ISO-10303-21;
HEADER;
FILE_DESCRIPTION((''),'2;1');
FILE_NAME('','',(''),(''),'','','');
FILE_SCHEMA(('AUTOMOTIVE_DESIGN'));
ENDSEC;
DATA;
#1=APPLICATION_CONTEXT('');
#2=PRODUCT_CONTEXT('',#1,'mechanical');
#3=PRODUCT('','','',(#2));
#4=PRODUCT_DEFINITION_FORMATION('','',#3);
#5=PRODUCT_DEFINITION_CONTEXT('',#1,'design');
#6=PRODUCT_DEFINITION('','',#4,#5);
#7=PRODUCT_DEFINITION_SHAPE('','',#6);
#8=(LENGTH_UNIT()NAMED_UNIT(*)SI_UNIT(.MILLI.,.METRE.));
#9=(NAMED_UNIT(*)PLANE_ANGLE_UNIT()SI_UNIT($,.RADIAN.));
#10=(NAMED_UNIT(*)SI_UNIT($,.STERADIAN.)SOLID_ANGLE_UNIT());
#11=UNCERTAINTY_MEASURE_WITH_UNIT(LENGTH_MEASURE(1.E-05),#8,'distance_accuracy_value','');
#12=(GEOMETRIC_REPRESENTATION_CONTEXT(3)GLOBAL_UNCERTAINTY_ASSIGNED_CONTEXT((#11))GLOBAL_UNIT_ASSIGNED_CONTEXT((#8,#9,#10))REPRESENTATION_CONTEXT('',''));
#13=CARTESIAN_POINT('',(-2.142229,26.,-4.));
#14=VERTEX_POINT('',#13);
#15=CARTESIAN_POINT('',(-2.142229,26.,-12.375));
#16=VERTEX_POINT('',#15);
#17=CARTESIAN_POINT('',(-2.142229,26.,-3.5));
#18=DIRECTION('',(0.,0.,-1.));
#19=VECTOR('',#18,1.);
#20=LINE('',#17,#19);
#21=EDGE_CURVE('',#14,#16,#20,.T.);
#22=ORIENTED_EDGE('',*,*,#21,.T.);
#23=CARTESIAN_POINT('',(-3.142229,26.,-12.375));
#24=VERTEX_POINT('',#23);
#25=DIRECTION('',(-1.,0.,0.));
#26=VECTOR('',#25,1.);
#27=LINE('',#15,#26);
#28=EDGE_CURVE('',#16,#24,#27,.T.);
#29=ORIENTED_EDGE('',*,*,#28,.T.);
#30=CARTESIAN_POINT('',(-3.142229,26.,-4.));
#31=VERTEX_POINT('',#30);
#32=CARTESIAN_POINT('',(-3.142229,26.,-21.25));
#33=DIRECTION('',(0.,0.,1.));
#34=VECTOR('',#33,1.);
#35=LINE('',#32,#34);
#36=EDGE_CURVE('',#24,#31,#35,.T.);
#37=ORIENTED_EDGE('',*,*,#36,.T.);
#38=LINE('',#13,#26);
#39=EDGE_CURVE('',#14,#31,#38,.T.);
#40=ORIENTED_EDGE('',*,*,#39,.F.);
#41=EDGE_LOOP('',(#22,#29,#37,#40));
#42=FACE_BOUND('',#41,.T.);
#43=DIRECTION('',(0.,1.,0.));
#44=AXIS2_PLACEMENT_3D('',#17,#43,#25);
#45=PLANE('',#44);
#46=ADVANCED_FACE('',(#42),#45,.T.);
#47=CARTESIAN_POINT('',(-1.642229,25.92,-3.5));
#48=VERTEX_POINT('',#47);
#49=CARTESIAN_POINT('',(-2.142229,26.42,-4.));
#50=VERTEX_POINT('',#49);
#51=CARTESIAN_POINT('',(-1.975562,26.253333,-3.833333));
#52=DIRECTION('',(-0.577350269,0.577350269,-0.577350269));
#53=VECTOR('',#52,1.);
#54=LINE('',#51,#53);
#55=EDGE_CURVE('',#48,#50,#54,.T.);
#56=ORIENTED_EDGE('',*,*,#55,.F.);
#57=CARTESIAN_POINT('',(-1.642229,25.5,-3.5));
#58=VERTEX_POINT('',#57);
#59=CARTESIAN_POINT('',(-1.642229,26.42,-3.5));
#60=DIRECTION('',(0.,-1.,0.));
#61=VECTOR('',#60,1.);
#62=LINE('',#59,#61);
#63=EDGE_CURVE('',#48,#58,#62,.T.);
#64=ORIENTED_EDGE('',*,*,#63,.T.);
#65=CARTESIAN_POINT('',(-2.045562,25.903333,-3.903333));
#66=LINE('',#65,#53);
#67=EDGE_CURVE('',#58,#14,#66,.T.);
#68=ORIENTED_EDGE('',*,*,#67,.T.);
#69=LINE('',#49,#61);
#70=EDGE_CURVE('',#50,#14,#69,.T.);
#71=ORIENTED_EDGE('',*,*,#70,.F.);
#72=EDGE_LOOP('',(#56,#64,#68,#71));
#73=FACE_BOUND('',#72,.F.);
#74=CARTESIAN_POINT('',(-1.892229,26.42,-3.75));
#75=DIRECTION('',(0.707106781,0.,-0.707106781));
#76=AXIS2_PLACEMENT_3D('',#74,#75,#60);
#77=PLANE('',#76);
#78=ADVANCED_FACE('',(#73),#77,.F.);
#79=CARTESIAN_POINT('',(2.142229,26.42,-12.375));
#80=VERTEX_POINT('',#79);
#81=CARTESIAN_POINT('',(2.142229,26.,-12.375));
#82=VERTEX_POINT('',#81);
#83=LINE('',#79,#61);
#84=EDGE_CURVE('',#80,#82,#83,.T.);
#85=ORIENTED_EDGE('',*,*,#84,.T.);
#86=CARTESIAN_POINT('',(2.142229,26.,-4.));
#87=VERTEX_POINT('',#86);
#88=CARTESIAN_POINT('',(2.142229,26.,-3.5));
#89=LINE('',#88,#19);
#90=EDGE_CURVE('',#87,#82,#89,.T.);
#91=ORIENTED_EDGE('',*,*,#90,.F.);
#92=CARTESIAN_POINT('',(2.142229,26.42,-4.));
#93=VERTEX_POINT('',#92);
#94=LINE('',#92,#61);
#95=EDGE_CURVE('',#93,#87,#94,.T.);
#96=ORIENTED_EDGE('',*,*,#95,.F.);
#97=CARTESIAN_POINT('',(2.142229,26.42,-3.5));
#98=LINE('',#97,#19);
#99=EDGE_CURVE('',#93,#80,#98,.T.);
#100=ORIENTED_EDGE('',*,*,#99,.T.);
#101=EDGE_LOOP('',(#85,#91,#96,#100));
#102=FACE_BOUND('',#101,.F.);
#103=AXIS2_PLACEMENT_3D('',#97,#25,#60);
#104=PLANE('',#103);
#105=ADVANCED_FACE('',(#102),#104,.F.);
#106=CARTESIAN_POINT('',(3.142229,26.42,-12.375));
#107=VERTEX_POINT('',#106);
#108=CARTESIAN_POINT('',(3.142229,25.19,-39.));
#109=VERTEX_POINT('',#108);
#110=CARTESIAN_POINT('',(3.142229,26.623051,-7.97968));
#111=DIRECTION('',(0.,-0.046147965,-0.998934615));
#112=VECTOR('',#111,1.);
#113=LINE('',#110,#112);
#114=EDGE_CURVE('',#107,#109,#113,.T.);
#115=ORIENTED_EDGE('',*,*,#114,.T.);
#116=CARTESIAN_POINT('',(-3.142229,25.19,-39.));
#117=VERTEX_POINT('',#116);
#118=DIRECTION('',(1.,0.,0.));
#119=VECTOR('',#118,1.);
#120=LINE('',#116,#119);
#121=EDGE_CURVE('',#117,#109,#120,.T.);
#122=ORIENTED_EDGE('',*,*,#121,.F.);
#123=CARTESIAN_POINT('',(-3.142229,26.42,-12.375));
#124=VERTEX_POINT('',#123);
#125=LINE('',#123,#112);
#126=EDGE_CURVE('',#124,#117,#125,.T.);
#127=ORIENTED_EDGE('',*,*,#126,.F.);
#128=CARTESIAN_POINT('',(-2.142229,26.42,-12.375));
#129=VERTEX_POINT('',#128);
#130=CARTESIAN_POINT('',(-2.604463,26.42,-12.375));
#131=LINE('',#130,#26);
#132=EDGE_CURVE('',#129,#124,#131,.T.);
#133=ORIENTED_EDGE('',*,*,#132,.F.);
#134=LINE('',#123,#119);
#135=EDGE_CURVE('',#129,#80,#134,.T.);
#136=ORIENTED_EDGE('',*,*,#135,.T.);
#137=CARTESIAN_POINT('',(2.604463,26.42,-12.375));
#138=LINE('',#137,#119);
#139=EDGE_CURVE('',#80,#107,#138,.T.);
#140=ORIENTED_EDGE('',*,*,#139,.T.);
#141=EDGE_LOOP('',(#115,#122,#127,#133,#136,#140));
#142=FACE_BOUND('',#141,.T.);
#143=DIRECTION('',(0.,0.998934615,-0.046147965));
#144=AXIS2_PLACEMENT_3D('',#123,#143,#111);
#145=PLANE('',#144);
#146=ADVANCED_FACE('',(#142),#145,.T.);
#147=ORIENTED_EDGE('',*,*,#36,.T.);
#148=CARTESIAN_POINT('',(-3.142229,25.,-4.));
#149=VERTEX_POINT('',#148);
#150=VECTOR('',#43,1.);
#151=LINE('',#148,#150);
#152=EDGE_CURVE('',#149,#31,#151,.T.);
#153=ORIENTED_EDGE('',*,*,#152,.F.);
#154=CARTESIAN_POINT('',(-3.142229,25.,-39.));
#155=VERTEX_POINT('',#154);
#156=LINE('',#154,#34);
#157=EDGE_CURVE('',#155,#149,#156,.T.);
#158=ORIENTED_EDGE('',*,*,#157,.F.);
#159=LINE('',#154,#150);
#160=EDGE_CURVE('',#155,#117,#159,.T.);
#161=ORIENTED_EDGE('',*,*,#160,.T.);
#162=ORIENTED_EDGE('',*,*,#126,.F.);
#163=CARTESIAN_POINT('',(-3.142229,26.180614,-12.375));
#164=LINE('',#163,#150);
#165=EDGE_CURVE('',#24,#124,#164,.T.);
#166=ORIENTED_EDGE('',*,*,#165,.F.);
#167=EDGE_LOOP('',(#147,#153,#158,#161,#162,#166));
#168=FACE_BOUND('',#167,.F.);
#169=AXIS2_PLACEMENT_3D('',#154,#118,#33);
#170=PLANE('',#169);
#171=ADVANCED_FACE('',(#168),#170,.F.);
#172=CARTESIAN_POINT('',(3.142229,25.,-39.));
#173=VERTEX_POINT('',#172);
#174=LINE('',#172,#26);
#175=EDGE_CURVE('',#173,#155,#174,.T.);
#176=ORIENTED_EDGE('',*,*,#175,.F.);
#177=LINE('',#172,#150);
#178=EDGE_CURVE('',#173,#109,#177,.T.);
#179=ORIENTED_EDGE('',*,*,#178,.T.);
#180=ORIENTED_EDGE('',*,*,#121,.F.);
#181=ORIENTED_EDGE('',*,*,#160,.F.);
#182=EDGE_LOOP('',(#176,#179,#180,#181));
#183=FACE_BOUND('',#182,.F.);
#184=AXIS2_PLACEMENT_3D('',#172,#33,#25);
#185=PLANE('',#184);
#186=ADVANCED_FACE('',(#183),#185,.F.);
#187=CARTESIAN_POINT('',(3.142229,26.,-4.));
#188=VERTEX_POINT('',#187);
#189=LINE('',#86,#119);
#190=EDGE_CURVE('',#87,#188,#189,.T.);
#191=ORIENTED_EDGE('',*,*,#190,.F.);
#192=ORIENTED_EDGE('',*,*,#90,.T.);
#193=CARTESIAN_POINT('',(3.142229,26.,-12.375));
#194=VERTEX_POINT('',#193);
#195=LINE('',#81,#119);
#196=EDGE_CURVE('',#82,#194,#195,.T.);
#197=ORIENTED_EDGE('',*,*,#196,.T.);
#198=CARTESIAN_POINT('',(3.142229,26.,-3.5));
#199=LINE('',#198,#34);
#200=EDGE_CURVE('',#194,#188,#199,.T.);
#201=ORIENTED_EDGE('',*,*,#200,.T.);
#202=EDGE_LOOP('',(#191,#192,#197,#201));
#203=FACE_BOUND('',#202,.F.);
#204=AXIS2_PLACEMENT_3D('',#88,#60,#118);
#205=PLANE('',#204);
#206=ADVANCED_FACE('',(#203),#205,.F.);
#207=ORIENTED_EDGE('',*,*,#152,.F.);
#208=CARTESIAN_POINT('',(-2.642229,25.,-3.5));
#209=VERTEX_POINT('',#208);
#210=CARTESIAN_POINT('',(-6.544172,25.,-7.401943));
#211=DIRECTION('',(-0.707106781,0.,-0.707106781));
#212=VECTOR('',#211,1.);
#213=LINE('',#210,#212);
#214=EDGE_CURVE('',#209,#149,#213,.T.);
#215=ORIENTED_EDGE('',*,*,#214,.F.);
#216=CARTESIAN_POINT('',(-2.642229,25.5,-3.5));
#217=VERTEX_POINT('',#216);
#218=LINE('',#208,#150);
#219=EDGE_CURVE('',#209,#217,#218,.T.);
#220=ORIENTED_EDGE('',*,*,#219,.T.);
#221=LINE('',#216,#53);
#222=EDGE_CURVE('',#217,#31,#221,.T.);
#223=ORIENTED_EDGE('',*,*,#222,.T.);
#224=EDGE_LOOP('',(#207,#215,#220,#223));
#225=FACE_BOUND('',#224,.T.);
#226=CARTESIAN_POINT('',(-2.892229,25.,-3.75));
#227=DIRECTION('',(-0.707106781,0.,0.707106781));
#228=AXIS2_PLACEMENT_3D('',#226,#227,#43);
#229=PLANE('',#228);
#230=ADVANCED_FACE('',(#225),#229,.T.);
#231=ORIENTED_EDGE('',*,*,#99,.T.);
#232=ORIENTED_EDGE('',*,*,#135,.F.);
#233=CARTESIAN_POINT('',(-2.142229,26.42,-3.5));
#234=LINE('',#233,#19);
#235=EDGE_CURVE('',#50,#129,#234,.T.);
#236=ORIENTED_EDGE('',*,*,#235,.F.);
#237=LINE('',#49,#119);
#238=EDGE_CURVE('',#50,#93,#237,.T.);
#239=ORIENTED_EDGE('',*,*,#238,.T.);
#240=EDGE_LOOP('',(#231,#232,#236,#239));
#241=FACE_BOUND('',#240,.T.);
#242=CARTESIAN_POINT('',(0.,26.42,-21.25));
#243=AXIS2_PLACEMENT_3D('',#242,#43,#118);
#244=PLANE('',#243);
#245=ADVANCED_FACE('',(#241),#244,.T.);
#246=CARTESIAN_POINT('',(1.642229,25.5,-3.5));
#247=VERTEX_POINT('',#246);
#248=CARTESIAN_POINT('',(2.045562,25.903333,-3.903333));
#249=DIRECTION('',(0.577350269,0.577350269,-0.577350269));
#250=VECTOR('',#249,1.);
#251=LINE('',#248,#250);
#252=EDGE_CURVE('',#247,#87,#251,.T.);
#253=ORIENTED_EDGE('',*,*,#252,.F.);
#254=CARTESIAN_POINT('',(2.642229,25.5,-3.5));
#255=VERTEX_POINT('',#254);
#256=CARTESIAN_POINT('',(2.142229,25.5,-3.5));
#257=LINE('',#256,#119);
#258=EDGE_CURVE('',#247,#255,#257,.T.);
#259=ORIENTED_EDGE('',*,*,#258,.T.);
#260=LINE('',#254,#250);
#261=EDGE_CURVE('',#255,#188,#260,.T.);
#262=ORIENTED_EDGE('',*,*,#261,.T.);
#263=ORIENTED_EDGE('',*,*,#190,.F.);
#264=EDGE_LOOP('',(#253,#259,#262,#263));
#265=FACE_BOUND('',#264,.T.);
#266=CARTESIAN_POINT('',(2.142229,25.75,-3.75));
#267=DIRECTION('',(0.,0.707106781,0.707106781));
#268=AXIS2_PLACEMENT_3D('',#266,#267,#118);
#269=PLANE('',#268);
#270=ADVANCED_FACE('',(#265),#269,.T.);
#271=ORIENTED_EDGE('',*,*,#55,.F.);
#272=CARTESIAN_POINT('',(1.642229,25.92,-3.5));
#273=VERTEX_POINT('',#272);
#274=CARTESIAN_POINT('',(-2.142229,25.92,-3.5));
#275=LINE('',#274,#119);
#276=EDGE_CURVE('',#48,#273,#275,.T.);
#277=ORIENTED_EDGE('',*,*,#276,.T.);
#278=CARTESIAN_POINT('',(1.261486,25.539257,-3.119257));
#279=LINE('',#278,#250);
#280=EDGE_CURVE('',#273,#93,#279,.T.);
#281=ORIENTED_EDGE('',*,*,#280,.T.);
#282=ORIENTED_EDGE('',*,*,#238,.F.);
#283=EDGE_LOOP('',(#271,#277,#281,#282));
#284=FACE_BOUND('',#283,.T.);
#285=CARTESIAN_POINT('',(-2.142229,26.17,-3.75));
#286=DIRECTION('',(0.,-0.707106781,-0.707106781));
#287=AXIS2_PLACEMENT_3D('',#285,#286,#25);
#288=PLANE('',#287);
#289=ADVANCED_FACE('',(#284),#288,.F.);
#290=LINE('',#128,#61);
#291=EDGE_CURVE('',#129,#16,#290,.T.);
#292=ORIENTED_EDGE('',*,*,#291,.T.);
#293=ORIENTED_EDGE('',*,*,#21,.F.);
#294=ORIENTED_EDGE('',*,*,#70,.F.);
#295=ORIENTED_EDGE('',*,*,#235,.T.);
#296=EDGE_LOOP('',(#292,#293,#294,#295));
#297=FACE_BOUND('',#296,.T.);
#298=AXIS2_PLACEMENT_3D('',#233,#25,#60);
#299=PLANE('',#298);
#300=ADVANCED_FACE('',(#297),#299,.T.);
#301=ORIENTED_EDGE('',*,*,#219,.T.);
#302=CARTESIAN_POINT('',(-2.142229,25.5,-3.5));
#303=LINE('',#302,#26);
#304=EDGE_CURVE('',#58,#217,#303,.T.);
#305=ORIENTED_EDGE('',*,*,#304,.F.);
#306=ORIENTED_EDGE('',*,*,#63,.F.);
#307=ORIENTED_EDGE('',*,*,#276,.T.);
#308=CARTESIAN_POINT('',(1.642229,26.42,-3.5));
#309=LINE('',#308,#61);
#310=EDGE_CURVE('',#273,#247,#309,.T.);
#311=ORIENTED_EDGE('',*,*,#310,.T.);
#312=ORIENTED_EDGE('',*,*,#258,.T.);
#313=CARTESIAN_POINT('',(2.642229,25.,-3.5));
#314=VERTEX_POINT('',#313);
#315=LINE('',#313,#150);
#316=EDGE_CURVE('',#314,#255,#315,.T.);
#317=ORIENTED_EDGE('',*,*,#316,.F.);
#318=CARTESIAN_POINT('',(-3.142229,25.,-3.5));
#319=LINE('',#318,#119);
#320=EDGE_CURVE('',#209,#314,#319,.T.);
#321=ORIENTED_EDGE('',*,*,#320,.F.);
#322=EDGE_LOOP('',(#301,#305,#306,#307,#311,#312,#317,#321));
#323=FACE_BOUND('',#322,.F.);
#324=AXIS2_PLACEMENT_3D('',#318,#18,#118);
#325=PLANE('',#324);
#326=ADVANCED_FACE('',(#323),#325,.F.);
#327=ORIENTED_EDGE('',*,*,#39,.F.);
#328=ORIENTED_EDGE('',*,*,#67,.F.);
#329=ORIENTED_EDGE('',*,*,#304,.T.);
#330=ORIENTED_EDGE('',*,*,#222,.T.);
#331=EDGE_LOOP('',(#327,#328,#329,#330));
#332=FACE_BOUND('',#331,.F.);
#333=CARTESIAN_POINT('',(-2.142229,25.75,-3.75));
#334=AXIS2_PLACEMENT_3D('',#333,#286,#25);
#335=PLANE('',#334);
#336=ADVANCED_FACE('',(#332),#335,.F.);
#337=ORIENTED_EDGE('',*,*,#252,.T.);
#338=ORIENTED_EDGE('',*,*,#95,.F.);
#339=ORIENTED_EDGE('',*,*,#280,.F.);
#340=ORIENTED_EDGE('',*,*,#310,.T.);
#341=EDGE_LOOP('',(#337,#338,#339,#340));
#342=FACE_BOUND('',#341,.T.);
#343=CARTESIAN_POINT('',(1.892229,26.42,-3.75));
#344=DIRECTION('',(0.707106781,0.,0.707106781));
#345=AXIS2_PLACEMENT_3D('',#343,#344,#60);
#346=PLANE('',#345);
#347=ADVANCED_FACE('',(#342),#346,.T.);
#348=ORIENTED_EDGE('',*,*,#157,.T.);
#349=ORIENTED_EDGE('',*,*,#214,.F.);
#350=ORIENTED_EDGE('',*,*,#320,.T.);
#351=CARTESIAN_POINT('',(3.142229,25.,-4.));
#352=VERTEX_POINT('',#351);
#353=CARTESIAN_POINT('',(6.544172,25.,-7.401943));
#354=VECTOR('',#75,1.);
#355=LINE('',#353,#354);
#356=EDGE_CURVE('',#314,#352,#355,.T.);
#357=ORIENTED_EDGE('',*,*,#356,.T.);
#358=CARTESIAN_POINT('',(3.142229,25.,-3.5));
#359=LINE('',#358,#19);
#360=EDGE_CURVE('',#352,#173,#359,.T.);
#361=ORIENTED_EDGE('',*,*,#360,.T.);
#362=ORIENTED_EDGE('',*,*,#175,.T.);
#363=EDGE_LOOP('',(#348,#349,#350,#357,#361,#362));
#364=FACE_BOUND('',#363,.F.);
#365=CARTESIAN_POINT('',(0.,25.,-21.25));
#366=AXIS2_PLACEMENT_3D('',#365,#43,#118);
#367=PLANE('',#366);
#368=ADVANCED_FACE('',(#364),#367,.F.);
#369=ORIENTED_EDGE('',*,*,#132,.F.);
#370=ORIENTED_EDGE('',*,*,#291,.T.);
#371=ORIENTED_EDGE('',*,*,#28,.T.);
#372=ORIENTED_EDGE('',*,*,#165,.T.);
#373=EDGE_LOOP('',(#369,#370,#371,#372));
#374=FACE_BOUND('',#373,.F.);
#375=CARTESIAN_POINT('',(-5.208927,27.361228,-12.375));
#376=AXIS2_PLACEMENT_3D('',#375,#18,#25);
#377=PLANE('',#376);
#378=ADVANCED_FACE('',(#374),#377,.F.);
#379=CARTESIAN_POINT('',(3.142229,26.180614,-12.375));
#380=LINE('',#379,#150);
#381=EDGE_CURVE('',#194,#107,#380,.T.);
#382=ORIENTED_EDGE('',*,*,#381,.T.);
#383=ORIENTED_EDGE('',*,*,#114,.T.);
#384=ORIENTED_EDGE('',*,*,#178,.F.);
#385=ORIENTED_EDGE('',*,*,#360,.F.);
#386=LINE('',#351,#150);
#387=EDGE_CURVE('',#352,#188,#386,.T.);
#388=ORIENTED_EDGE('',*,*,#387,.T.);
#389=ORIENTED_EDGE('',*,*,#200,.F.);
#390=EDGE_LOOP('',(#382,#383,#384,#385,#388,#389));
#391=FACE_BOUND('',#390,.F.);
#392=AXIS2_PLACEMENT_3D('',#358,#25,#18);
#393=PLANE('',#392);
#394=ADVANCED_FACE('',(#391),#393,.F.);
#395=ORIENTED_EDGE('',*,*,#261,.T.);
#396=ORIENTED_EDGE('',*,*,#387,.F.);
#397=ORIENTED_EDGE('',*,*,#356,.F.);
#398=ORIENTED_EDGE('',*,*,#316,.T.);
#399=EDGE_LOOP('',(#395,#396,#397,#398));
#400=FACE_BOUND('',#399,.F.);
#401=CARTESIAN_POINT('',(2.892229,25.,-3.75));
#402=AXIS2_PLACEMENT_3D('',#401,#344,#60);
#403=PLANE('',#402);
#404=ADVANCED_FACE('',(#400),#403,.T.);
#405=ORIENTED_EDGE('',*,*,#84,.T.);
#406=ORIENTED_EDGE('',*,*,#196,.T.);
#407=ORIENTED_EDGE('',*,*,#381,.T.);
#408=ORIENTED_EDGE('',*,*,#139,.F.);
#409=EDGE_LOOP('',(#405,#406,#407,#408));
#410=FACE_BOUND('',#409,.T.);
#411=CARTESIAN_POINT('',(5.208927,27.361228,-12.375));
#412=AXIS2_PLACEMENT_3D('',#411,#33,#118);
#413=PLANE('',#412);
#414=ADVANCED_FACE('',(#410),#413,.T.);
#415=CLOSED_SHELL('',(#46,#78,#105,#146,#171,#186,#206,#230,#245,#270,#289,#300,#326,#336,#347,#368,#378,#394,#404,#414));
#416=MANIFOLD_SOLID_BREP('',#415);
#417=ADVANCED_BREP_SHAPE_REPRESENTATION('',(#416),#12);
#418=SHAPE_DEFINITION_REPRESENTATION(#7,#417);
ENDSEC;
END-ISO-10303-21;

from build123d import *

# Parameters (mm, degrees)
PAD003_DEPTH            = 1.42
POCKET004_DEPTH         = 8.875
POCKET005_DEPTH         = 6.285457
CHAMFER002_SIZE         = 0.5
BODY001_PLACEMENT_ANGLE = 180


with BuildPart() as part:
    # Sketch010 → Pad003 (new body)
    with BuildSketch(Plane.XZ):
        Polygon((-3.142229, 35.5), (3.142229, 35.5), (3.142229, 44.375), (3.142229, 71), (-3.142229, 71), (-3.142229, 44.375), align=None)
    extrude(amount=PAD003_DEPTH)

    # Sketch011 (on Face1 of Pad003) → Pocket004 (cut)
    with BuildSketch(Plane(origin=(0, 0, 35.5), x_dir=(1, 0, 0), z_dir=(0, 0, -1))):
        Polygon((-2.142229, 1.42), (-2.142229, 1), (-7.142229, 1), (-7.142229, 4.921038), align=None)
        Polygon((7.142229, 4.921038), (2.142229, 1.42), (2.142229, 1), (7.142229, 1), align=None)
    extrude(amount=-POCKET004_DEPTH, mode=Mode.SUBTRACT)

    # Sketch012 (on Face9 of Pocket004) → Pocket005 (cut, through all)
    with BuildSketch(Plane(origin=(-3.142229, 0, 0), x_dir=(0, 0, -1), z_dir=(-1, 0, 0))):
        Polygon((-71, 0.19), (-71, 14.02), (-44.375, 1.42), align=None)
    extrude(amount=-POCKET005_DEPTH, mode=Mode.SUBTRACT)

    # Chamfer002
    chamfer002_edges = [part.edges().sort_by_distance(p)[0] for p in [
        (-2.642229, -1, 35.5),
        (-2.142229, -1.21, 35.5),
        (0, -1.42, 35.5),
        (2.142229, -1.21, 35.5),
        (2.642229, -1, 35.5),
        (-3.142229, -0.5, 35.5),
        (3.142229, -0.5, 35.5),
    ]]
    chamfer(chamfer002_edges, length=CHAMFER002_SIZE)


with BuildPart() as part_1:
    # Body001 placement: moved
    add(part.part.moved(Location((0, 25, 32))).rotate(Axis((0, 25, 32), (-1, 0, 0)), BODY001_PLACEMENT_ANGLE))


solid = part_1.part
